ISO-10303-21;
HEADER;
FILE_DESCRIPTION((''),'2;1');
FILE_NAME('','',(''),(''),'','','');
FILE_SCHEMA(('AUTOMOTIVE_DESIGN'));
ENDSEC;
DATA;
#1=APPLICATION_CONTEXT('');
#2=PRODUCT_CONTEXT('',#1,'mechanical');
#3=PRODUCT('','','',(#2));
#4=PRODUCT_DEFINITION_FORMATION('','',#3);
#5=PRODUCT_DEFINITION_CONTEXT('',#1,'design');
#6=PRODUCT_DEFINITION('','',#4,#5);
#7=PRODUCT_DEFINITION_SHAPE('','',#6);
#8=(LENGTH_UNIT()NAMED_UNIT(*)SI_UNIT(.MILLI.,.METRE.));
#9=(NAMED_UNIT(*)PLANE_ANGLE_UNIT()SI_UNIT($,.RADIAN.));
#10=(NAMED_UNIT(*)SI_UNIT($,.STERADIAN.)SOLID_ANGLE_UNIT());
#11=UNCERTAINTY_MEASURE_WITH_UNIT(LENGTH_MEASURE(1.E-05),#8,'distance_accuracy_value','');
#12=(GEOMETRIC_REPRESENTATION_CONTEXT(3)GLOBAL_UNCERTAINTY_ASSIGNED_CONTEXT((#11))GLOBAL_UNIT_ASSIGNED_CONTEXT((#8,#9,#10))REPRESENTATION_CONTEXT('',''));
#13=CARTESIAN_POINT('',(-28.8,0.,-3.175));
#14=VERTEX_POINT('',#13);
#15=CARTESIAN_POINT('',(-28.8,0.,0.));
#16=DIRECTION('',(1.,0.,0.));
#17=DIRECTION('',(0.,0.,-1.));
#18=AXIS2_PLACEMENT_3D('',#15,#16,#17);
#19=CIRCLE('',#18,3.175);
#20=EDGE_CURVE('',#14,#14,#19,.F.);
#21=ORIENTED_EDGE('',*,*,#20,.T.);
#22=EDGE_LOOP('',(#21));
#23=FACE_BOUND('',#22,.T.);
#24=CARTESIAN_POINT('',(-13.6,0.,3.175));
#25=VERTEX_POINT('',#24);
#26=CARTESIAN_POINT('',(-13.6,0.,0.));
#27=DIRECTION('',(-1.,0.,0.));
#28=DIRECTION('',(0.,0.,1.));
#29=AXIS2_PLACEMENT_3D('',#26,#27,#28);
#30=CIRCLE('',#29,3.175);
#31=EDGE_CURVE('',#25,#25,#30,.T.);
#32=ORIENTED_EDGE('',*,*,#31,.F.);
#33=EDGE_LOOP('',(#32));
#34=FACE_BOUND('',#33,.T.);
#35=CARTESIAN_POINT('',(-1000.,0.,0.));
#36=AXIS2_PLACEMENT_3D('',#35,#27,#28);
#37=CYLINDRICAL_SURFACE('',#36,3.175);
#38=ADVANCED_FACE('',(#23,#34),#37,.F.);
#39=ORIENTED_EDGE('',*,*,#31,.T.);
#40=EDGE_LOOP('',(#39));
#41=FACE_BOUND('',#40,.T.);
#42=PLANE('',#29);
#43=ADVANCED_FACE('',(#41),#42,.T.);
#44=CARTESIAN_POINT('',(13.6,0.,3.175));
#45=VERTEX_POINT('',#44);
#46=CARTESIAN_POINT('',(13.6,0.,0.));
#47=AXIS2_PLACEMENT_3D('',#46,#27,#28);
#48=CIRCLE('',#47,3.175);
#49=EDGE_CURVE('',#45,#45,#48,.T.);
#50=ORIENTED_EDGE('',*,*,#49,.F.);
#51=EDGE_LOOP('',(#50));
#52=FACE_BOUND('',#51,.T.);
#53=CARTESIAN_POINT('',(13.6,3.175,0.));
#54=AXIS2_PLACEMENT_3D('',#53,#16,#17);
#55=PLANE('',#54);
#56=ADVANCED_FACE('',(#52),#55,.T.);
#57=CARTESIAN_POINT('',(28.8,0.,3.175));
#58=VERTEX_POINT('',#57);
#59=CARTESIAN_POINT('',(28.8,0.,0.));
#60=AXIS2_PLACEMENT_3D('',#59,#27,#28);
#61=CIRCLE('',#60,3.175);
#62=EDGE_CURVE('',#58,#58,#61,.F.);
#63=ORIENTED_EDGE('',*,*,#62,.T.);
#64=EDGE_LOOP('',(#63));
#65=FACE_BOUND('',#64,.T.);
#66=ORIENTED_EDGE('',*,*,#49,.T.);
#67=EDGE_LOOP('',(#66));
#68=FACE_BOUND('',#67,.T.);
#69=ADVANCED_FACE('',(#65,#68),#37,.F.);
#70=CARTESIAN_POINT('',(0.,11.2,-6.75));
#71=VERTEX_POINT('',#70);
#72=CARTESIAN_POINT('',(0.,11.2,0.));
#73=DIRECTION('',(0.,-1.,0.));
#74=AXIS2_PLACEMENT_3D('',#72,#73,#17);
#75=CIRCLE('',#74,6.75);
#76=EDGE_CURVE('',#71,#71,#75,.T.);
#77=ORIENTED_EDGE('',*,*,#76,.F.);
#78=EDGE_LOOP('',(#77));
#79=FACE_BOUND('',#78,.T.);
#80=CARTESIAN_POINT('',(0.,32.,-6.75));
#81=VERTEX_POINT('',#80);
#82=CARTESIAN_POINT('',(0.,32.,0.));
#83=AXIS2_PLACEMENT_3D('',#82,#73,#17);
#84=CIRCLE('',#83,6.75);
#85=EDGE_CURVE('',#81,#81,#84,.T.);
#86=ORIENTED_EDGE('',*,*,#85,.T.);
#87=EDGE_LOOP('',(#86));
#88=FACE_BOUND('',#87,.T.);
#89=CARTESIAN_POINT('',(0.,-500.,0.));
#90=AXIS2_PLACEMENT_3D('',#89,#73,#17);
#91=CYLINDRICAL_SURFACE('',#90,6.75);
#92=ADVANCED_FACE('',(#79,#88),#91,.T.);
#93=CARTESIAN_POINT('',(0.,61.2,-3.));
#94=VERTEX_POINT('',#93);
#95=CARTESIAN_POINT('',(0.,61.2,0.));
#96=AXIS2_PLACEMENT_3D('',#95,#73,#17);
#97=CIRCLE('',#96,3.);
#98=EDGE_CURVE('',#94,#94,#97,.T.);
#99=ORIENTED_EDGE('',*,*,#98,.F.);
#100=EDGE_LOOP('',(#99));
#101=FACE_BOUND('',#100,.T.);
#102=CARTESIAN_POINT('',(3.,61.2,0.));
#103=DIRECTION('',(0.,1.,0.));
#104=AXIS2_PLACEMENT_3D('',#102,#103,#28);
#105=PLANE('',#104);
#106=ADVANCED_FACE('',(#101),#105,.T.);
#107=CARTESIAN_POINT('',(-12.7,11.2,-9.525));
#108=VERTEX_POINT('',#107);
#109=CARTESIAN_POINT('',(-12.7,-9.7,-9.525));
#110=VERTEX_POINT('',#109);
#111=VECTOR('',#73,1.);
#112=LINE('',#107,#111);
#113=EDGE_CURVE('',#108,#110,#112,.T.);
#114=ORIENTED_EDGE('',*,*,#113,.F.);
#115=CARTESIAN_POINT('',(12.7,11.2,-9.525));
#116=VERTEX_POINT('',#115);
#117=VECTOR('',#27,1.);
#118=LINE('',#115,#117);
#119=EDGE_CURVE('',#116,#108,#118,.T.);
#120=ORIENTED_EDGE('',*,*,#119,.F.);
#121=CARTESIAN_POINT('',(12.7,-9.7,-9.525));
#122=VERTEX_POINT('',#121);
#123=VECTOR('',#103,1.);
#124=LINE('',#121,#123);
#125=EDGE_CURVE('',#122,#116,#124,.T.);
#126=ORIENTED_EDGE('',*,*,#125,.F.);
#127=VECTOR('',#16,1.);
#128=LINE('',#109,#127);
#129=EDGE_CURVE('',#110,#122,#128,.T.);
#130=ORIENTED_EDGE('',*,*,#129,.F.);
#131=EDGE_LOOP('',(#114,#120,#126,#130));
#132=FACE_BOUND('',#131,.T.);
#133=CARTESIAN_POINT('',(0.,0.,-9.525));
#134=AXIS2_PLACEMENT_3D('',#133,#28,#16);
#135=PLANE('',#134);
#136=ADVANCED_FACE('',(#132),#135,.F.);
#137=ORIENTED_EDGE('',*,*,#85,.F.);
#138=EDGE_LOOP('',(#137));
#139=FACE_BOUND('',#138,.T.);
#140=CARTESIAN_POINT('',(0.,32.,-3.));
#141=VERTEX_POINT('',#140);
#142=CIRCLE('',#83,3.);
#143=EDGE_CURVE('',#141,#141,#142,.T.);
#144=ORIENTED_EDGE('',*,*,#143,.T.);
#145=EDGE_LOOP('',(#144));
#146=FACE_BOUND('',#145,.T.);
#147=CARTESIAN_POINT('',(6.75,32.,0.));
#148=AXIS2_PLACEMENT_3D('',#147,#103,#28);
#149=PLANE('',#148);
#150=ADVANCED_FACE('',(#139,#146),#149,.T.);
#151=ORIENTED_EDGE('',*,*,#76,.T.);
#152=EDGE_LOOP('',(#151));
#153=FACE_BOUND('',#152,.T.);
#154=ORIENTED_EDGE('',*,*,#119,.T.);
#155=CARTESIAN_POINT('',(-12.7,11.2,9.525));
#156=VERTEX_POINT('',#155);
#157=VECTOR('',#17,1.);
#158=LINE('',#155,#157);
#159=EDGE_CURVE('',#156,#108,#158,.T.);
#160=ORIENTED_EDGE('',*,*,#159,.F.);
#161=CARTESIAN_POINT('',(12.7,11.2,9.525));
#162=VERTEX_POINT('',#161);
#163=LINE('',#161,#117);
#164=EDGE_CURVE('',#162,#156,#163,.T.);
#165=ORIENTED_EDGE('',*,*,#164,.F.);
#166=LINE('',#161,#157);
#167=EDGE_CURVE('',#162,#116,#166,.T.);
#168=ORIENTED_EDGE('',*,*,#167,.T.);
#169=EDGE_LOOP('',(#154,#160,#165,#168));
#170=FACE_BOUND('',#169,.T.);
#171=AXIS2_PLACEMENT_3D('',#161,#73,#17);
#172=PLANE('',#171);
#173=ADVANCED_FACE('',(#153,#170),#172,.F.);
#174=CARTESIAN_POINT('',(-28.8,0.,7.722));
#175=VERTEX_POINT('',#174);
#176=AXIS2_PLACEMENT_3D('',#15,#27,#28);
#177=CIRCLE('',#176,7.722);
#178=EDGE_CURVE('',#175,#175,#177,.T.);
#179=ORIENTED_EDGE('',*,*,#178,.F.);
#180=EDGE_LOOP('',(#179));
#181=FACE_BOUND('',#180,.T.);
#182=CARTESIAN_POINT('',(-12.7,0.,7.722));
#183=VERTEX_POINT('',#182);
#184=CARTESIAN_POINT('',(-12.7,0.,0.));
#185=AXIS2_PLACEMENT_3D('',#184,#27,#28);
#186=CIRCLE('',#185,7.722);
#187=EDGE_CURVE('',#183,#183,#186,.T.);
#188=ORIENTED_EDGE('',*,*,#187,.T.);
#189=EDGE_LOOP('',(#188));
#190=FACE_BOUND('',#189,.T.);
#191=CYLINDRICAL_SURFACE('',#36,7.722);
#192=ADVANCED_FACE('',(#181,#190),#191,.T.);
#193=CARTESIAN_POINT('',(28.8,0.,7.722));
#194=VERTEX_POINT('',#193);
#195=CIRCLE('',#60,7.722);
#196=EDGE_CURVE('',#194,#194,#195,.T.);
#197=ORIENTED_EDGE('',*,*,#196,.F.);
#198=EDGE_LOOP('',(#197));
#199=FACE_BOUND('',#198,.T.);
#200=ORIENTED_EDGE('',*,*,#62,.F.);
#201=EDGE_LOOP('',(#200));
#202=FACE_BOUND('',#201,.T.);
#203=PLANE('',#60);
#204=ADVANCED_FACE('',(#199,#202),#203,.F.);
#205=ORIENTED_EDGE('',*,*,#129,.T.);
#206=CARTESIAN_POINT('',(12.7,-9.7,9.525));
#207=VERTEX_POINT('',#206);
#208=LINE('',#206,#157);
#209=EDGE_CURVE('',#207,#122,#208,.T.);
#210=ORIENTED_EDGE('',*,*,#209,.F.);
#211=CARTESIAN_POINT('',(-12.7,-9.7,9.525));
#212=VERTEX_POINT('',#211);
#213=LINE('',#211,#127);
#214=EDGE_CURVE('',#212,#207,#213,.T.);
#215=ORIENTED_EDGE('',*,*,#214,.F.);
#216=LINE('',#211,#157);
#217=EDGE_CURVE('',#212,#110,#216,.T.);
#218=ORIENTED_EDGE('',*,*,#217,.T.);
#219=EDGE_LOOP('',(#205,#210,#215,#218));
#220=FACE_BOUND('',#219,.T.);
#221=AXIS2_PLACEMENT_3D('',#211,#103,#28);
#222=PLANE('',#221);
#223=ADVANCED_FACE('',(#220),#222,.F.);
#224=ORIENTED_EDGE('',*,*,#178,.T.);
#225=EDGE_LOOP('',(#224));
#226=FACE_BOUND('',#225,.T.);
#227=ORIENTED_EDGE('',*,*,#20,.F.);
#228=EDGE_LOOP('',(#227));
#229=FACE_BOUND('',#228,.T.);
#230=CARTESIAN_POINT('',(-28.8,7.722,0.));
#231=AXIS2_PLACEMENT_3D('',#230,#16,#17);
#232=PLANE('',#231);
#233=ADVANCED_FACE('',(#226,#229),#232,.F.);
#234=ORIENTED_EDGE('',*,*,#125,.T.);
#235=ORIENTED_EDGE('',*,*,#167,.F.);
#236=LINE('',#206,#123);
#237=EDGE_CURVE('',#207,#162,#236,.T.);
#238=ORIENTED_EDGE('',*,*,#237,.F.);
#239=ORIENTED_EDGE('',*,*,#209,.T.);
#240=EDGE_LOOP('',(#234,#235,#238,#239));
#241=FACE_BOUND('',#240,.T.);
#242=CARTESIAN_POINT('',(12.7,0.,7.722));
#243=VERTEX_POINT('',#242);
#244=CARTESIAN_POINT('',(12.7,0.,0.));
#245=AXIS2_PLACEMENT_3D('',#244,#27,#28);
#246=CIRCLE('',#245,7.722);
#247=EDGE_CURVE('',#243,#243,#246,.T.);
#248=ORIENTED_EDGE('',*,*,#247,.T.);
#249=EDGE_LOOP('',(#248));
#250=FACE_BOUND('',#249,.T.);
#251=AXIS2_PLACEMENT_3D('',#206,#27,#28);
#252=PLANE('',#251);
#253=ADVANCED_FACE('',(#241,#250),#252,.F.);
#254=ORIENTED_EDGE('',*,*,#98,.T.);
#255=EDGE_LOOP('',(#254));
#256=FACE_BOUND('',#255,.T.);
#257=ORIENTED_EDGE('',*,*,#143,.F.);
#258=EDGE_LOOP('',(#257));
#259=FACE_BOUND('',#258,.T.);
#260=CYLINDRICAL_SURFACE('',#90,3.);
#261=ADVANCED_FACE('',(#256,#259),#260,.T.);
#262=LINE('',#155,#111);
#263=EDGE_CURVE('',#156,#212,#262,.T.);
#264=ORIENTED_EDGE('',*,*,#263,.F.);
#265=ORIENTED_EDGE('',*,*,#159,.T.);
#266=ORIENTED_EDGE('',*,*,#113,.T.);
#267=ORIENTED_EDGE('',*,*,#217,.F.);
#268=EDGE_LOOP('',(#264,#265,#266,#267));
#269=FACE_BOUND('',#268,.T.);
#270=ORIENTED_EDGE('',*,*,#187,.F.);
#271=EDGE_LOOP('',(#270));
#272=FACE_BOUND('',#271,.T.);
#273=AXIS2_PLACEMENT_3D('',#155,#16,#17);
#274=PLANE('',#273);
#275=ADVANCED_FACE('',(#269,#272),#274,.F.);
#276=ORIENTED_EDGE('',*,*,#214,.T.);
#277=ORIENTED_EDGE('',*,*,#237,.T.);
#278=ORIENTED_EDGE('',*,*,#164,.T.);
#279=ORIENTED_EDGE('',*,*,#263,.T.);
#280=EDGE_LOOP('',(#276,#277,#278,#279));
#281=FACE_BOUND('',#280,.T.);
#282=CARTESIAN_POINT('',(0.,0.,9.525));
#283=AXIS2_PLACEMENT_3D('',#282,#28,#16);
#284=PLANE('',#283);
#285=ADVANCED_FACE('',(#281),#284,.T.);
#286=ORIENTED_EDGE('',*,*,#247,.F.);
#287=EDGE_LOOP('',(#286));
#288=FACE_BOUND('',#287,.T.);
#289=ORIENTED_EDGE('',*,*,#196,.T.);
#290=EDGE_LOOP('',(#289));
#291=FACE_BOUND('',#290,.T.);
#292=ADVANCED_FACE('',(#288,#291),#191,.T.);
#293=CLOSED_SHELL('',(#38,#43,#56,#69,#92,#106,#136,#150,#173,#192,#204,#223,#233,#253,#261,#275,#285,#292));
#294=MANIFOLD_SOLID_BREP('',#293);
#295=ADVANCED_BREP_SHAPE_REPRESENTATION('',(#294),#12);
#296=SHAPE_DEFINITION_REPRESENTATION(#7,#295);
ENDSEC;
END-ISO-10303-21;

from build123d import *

# Parameters (mm, degrees)
BODY_SKETCH_W       = 25.4
BODY_SKETCH_H       = 20.9
BODY_DEPTH          = 9.525
NUT_X_SKETCH_W      = 16.1
NUT_X_SKETCH_H      = 7.722
NUT_X_SKETCH_2_W    = 16.1
NUT_X_SKETCH_2_H    = 7.722
SOCKET_X_SKETCH_W   = 16.2
SOCKET_X_SKETCH_H   = 3.175
SOCKET_X_SKETCH_2_W = 16.2
SOCKET_X_SKETCH_2_H = 3.175


with BuildPart() as part:
    # Body Sketch → Body (new, symmetric)
    with BuildSketch(Plane.XY):
        with Locations((0, 0.75)):
            Rectangle(BODY_SKETCH_W, BODY_SKETCH_H)
    extrude(amount=BODY_DEPTH, both=True)

    # Nut _X Sketch → Nut _X (revolve)
    with BuildSketch(Plane.XY):
        with Locations((20.75, 3.861)):
            Rectangle(NUT_X_SKETCH_W, NUT_X_SKETCH_H)
    revolve(axis=Axis((-1000, 0, 0), (1, 0, 0)))

    # Nut -X Sketch 2 → Nut -X 2 (revolve)
    with BuildSketch(Plane.XY):
        with Locations((-20.75, 3.861)):
            Rectangle(NUT_X_SKETCH_2_W, NUT_X_SKETCH_2_H)
    revolve(axis=Axis((-1000, 0, 0), (1, 0, 0)))

    # Socket _X Sketch → Socket _X (revolve, cut)
    with BuildSketch(Plane.XY):
        with Locations((21.7, 1.5875)):
            Rectangle(SOCKET_X_SKETCH_W, SOCKET_X_SKETCH_H)
    revolve(axis=Axis((-1000, 0, 0), (1, 0, 0)), mode=Mode.SUBTRACT)

    # Socket -X Sketch 2 → Socket -X 2 (revolve, cut)
    with BuildSketch(Plane.XY):
        with Locations((-21.7, 1.5875)):
            Rectangle(SOCKET_X_SKETCH_2_W, SOCKET_X_SKETCH_2_H)
    revolve(axis=Axis((-1000, 0, 0), (1, 0, 0)), mode=Mode.SUBTRACT)

    # Stem Sketch → Stem (revolve)
    with BuildSketch(Plane.XY):
        Polygon((0, 11.2), (6.75, 11.2), (6.75, 32), (3, 32), (3, 61.2), (0, 61.2), align=None)
    revolve(axis=Axis((0, -500, 0), (0, 1, 0)))


solid = part.part
